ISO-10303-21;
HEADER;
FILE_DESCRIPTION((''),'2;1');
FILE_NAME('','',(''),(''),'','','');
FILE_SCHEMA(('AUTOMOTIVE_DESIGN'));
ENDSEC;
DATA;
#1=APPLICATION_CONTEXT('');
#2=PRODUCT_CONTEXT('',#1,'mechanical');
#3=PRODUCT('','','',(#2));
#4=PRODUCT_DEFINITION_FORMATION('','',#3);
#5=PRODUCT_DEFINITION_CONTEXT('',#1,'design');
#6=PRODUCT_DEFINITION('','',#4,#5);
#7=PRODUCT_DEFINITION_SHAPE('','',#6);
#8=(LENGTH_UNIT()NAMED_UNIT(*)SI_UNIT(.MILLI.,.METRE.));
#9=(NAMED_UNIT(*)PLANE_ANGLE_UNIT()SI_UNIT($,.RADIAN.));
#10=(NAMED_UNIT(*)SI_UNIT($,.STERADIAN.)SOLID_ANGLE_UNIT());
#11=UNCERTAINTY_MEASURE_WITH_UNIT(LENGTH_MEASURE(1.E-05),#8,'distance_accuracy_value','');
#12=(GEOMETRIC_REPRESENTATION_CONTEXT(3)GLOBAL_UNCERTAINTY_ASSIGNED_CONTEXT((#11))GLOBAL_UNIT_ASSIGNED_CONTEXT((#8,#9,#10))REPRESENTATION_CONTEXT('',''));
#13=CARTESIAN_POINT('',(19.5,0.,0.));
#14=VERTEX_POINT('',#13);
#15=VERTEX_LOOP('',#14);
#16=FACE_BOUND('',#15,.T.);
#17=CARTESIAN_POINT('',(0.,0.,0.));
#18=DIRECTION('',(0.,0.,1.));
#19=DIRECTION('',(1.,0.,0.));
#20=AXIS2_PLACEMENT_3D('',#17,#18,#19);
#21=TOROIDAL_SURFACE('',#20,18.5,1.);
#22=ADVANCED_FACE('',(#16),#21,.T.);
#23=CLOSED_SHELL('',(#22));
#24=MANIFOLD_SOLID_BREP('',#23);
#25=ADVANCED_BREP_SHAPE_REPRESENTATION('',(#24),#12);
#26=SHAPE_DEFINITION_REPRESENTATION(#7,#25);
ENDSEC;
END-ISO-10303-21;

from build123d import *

# Parameters (mm, degrees)
SKETCH1_R = 1


with BuildPart() as part:
    # Sketch1 → Revolve1 (revolve)
    with BuildSketch(Plane(origin=(0, 0, 0), x_dir=(0, 0, -1), z_dir=(1, 0, 0))):
        with Locations((0, 18.5)):
            Circle(SKETCH1_R)
    revolve(axis=Axis((0, 0, 1.694046819), (0, 0, -1)))


solid = part.part
